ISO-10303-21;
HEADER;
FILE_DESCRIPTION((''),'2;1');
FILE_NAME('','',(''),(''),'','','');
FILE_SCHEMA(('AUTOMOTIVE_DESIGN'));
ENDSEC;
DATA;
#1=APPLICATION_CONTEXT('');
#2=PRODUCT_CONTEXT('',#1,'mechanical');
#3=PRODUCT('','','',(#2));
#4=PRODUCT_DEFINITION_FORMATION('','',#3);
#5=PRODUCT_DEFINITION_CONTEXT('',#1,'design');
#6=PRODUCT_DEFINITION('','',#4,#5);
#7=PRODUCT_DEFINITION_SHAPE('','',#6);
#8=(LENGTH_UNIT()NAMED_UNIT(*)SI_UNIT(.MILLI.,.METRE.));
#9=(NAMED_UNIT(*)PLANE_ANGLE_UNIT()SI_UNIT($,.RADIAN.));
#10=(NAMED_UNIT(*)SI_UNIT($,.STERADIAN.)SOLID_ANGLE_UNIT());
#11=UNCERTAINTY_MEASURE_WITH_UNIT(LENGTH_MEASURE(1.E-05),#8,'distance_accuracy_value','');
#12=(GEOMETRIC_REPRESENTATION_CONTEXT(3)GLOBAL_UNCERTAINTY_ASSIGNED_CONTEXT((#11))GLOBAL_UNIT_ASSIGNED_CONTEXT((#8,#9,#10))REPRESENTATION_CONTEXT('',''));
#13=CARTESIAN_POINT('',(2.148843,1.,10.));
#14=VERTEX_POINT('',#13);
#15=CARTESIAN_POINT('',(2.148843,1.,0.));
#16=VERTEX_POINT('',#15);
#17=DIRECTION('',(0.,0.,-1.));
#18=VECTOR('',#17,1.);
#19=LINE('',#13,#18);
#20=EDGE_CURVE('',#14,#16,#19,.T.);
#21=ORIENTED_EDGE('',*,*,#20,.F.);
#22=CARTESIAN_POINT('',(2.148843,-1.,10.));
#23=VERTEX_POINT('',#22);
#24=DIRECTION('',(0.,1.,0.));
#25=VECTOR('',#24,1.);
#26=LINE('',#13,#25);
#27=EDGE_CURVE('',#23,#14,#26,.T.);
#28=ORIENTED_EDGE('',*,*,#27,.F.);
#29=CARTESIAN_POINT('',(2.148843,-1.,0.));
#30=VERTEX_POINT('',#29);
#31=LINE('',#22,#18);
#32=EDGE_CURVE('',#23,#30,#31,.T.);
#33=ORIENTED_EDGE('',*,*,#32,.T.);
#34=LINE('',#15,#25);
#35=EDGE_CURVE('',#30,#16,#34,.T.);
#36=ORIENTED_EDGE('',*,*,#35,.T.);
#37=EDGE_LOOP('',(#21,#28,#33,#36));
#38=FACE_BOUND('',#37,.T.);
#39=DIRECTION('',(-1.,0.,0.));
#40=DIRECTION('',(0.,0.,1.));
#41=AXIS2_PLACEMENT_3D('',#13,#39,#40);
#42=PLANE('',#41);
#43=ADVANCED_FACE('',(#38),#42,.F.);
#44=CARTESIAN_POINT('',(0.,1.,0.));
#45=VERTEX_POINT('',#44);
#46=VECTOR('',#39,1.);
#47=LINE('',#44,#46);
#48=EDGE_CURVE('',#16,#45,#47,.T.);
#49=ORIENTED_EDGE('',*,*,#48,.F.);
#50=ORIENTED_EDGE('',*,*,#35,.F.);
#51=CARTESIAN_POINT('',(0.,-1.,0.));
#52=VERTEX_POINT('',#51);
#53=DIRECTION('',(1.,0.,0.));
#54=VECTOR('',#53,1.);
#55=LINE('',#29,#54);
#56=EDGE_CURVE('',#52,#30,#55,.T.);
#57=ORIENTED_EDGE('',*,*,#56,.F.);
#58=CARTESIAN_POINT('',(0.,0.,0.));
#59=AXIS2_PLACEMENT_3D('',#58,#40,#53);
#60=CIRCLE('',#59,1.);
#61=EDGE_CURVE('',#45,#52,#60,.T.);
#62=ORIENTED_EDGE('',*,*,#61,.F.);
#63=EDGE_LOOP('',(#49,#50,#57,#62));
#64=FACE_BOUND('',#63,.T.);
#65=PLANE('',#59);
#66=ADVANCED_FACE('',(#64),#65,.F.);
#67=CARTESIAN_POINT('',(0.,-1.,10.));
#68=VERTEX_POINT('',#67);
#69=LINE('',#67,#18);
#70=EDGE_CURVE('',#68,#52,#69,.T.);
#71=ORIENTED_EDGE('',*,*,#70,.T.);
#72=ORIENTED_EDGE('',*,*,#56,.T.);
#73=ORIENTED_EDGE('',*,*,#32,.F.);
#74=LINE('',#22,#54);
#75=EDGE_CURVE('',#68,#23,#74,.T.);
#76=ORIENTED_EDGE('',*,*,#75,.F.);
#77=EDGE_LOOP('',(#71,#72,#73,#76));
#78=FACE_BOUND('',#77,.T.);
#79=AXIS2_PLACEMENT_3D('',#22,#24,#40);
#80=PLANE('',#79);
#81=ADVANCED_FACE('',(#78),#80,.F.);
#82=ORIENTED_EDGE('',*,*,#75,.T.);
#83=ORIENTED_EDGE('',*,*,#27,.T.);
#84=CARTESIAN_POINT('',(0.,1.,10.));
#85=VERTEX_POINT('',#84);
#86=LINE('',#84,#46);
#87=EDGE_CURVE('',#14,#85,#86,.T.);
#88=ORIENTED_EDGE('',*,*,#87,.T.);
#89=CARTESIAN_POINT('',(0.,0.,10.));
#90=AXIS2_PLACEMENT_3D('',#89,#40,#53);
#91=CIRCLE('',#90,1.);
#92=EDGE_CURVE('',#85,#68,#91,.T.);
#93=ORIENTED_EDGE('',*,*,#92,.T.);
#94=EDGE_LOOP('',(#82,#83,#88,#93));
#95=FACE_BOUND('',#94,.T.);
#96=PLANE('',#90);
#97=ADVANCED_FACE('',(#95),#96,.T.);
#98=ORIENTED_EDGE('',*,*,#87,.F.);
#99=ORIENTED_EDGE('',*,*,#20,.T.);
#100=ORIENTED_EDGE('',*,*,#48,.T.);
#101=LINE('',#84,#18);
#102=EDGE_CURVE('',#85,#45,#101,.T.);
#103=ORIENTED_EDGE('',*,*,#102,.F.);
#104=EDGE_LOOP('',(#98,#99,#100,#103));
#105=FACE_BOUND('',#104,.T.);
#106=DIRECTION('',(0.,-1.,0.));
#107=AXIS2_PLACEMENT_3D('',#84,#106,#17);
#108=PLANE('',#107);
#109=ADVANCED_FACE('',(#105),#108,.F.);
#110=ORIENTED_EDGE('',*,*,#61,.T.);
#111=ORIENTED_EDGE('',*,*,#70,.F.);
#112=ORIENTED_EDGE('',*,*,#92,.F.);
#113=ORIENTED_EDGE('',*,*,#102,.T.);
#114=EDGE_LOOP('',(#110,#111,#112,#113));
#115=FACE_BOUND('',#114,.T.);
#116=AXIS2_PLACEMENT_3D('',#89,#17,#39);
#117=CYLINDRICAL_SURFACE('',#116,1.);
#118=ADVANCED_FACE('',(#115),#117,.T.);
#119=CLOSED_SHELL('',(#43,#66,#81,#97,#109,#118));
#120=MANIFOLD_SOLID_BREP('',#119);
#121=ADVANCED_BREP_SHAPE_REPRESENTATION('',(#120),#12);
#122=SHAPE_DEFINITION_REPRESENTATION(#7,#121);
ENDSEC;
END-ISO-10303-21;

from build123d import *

# Parameters (mm, degrees)
BOSS_EXTRUDE1_DEPTH = 10


with BuildPart() as part:
    # Sketch1 → Boss-Extrude1 (new body)
    with BuildSketch(Plane.XY):
        with BuildLine():
            Line((0, 1), (2.148843362, 1))
            Line((2.148843362, 1), (2.148843362, -1))
            Line((2.148843362, -1), (0, -1))
            ThreePointArc((0, -1), (-1, 0), (0, 1))
        make_face()
    extrude(amount=BOSS_EXTRUDE1_DEPTH)


solid = part.part
